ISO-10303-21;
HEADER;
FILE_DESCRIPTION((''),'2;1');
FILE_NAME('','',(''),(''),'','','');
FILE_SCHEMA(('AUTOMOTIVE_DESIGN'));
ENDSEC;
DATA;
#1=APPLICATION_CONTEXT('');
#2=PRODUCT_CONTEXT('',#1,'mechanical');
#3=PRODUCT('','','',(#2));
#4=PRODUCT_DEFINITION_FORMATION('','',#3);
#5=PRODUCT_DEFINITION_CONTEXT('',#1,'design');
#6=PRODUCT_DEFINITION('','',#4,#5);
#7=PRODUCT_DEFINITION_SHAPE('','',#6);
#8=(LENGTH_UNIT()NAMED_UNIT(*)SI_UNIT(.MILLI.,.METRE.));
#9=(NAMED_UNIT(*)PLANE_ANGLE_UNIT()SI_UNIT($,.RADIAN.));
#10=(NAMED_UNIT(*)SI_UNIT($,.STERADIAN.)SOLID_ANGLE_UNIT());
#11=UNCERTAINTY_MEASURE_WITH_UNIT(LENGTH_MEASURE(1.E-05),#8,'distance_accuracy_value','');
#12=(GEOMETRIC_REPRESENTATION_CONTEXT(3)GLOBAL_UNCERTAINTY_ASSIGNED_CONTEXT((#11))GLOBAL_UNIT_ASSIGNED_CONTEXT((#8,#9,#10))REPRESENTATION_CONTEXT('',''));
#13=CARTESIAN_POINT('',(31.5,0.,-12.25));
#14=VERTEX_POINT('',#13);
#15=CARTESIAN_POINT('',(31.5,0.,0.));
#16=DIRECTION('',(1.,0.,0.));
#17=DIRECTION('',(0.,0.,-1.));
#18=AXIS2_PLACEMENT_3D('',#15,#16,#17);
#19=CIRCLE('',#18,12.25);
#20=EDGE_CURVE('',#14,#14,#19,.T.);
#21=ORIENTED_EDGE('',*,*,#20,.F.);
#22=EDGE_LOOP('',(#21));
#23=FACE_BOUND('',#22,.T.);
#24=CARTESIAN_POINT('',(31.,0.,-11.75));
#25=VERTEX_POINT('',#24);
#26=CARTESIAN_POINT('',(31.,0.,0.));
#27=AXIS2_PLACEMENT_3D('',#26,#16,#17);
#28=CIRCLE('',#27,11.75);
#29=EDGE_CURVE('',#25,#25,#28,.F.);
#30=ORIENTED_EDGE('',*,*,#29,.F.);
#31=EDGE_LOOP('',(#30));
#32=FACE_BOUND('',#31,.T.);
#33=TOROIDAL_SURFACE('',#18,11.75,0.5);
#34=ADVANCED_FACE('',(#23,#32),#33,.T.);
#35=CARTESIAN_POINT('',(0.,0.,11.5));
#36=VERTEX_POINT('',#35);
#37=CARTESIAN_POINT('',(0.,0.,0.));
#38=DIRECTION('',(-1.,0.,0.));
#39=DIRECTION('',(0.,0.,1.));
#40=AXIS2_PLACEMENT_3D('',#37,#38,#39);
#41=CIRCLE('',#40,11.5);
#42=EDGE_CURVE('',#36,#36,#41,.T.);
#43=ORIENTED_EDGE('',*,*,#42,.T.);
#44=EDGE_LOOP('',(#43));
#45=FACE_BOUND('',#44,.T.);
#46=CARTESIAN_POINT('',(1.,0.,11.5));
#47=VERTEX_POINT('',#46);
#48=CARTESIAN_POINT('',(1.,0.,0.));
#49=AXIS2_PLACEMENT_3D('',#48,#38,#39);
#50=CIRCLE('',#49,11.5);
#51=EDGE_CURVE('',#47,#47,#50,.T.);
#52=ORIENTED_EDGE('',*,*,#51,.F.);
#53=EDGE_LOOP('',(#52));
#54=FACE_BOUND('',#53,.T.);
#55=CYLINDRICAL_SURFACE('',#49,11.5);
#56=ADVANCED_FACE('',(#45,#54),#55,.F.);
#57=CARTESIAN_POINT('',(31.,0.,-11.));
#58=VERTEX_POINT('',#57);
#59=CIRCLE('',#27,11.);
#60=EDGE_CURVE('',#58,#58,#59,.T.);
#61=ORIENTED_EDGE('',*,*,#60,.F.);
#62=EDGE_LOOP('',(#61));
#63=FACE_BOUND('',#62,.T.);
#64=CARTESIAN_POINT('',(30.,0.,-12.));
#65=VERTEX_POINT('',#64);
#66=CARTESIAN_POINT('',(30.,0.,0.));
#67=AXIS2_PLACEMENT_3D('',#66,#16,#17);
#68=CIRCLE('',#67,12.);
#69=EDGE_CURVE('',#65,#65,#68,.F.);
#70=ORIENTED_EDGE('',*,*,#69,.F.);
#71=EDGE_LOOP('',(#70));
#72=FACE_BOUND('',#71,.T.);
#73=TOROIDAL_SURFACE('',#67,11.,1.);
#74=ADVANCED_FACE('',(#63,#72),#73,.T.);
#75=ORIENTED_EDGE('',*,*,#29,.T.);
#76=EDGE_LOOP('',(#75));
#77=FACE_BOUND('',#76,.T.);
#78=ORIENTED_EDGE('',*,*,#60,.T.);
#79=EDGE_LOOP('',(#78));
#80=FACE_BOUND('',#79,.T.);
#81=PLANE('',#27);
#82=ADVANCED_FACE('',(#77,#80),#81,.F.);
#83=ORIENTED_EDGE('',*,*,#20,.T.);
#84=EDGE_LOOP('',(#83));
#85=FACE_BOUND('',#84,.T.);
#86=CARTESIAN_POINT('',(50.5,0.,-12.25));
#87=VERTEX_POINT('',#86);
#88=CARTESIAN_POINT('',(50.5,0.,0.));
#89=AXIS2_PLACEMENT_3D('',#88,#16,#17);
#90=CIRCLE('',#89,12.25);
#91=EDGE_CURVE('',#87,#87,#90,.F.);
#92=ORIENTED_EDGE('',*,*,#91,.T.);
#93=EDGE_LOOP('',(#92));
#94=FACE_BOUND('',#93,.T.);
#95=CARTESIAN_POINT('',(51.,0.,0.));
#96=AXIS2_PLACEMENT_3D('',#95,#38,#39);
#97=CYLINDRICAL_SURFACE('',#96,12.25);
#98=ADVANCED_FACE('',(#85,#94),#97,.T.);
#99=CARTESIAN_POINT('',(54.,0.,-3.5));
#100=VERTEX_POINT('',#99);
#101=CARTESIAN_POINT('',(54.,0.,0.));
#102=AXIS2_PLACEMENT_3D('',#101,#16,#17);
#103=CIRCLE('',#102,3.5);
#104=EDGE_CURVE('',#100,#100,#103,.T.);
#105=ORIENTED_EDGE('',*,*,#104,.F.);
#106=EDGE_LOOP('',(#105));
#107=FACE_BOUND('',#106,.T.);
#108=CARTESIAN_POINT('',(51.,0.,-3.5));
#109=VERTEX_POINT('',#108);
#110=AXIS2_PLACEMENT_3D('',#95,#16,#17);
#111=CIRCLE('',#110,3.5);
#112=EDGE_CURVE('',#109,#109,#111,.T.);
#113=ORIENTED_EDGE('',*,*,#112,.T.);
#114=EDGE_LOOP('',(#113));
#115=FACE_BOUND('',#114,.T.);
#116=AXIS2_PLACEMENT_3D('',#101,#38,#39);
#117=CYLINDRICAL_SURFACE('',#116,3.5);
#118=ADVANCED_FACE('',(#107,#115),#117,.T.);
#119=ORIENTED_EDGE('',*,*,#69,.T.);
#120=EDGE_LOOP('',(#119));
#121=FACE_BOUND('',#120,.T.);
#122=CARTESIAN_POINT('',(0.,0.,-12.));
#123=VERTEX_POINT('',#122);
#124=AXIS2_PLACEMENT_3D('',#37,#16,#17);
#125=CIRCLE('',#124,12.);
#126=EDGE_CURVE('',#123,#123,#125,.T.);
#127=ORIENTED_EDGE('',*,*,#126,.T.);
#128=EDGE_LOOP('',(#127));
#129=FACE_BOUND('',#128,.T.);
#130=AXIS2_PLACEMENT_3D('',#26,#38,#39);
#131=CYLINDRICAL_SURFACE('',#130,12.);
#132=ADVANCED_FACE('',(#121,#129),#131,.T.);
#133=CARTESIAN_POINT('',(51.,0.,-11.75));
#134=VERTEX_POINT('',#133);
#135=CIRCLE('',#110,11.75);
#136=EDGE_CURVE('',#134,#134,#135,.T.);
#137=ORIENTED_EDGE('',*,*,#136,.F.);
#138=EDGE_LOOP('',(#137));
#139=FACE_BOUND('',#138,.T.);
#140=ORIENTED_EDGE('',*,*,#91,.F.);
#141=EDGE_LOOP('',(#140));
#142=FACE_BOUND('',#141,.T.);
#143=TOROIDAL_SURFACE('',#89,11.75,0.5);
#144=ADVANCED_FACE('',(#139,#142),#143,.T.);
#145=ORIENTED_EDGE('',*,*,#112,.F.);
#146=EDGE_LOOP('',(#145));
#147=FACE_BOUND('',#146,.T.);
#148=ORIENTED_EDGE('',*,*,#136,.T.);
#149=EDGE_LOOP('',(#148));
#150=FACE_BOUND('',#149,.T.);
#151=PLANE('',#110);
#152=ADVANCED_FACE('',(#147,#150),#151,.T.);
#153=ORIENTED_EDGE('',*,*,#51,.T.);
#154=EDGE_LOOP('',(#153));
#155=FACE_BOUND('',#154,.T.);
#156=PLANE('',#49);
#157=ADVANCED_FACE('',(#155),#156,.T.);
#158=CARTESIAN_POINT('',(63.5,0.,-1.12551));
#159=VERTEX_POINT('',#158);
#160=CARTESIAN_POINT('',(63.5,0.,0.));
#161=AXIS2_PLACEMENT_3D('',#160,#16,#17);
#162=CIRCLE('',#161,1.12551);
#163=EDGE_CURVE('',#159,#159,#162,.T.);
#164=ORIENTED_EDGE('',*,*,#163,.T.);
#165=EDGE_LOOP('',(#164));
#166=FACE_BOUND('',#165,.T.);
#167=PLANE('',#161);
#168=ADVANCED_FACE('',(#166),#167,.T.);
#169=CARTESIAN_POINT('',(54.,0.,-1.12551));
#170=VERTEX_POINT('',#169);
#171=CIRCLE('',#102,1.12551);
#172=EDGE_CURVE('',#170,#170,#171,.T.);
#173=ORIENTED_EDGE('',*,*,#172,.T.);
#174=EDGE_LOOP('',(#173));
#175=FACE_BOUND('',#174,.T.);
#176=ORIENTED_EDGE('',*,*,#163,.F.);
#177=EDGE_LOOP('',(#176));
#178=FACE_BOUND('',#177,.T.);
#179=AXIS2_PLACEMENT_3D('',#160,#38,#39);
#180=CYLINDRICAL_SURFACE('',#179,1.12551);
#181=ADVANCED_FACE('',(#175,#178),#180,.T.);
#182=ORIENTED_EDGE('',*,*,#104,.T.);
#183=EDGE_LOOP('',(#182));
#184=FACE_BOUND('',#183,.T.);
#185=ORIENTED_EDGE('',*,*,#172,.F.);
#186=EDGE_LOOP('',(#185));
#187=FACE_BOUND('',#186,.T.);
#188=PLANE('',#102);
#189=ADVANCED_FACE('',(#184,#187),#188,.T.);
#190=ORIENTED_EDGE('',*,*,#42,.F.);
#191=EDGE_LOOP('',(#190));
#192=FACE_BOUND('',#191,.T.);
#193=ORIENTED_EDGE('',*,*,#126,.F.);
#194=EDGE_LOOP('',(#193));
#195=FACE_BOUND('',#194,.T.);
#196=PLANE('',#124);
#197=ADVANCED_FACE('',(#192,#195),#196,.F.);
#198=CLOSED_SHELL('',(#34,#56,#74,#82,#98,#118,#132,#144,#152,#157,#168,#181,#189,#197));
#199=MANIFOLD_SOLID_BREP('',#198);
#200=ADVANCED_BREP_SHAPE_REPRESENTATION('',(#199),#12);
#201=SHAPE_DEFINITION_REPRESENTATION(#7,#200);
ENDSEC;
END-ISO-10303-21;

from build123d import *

# Parameters (mm, degrees)
SKETCH1_R           = 12
BOSS_EXTRUDE1_DEPTH = 31
FILLET1_R           = 1
SKETCH2_R           = 11.5
CUT_EXTRUDE1_DEPTH  = 1
SKETCH3_R           = 12.25
BOSS_EXTRUDE2_DEPTH = 20
FILLET2_R           = 0.5
SKETCH4_R           = 3.5
BOSS_EXTRUDE3_DEPTH = 3
SKETCH5_R           = 1.125510402
BOSS_EXTRUDE4_DEPTH = 9.5


with BuildPart() as part:
    # Sketch1 → Boss-Extrude1 (new body)
    with BuildSketch(Plane(origin=(0, 0, 0), x_dir=(0, 0, -1), z_dir=(1, 0, 0))):
        Circle(SKETCH1_R)
    extrude(amount=BOSS_EXTRUDE1_DEPTH)

    # Fillet1
    fillet1_edges = [part.edges().sort_by_distance(p)[0] for p in [
        (31, 0, 12),
    ]]
    fillet(fillet1_edges, radius=FILLET1_R)

    # Sketch2 → Cut-Extrude1 (cut)
    with BuildSketch(Plane.ZY):
        Circle(SKETCH2_R)
    extrude(amount=-CUT_EXTRUDE1_DEPTH, mode=Mode.SUBTRACT)

    # Sketch3 → Boss-Extrude2 (add)
    with BuildSketch(Plane(origin=(31, 0, 0), x_dir=(0, 0, -1), z_dir=(1, 0, 0))):
        Circle(SKETCH3_R)
    extrude(amount=BOSS_EXTRUDE2_DEPTH)

    # Fillet2
    fillet2_edges = [part.edges().sort_by_distance(p)[0] for p in [
        (31, 0, 12.25),
        (51, 0, 12.25),
    ]]
    fillet(fillet2_edges, radius=FILLET2_R)

    # Sketch4 → Boss-Extrude3 (add)
    with BuildSketch(Plane(origin=(51, 0, 0), x_dir=(0, 0, -1), z_dir=(1, 0, 0))):
        Circle(SKETCH4_R)
    extrude(amount=BOSS_EXTRUDE3_DEPTH)

    # Sketch5 → Boss-Extrude4 (add)
    with BuildSketch(Plane(origin=(54, 0, 0), x_dir=(0, 0, -1), z_dir=(1, 0, 0))):
        Circle(SKETCH5_R)
    extrude(amount=BOSS_EXTRUDE4_DEPTH)


solid = part.part
